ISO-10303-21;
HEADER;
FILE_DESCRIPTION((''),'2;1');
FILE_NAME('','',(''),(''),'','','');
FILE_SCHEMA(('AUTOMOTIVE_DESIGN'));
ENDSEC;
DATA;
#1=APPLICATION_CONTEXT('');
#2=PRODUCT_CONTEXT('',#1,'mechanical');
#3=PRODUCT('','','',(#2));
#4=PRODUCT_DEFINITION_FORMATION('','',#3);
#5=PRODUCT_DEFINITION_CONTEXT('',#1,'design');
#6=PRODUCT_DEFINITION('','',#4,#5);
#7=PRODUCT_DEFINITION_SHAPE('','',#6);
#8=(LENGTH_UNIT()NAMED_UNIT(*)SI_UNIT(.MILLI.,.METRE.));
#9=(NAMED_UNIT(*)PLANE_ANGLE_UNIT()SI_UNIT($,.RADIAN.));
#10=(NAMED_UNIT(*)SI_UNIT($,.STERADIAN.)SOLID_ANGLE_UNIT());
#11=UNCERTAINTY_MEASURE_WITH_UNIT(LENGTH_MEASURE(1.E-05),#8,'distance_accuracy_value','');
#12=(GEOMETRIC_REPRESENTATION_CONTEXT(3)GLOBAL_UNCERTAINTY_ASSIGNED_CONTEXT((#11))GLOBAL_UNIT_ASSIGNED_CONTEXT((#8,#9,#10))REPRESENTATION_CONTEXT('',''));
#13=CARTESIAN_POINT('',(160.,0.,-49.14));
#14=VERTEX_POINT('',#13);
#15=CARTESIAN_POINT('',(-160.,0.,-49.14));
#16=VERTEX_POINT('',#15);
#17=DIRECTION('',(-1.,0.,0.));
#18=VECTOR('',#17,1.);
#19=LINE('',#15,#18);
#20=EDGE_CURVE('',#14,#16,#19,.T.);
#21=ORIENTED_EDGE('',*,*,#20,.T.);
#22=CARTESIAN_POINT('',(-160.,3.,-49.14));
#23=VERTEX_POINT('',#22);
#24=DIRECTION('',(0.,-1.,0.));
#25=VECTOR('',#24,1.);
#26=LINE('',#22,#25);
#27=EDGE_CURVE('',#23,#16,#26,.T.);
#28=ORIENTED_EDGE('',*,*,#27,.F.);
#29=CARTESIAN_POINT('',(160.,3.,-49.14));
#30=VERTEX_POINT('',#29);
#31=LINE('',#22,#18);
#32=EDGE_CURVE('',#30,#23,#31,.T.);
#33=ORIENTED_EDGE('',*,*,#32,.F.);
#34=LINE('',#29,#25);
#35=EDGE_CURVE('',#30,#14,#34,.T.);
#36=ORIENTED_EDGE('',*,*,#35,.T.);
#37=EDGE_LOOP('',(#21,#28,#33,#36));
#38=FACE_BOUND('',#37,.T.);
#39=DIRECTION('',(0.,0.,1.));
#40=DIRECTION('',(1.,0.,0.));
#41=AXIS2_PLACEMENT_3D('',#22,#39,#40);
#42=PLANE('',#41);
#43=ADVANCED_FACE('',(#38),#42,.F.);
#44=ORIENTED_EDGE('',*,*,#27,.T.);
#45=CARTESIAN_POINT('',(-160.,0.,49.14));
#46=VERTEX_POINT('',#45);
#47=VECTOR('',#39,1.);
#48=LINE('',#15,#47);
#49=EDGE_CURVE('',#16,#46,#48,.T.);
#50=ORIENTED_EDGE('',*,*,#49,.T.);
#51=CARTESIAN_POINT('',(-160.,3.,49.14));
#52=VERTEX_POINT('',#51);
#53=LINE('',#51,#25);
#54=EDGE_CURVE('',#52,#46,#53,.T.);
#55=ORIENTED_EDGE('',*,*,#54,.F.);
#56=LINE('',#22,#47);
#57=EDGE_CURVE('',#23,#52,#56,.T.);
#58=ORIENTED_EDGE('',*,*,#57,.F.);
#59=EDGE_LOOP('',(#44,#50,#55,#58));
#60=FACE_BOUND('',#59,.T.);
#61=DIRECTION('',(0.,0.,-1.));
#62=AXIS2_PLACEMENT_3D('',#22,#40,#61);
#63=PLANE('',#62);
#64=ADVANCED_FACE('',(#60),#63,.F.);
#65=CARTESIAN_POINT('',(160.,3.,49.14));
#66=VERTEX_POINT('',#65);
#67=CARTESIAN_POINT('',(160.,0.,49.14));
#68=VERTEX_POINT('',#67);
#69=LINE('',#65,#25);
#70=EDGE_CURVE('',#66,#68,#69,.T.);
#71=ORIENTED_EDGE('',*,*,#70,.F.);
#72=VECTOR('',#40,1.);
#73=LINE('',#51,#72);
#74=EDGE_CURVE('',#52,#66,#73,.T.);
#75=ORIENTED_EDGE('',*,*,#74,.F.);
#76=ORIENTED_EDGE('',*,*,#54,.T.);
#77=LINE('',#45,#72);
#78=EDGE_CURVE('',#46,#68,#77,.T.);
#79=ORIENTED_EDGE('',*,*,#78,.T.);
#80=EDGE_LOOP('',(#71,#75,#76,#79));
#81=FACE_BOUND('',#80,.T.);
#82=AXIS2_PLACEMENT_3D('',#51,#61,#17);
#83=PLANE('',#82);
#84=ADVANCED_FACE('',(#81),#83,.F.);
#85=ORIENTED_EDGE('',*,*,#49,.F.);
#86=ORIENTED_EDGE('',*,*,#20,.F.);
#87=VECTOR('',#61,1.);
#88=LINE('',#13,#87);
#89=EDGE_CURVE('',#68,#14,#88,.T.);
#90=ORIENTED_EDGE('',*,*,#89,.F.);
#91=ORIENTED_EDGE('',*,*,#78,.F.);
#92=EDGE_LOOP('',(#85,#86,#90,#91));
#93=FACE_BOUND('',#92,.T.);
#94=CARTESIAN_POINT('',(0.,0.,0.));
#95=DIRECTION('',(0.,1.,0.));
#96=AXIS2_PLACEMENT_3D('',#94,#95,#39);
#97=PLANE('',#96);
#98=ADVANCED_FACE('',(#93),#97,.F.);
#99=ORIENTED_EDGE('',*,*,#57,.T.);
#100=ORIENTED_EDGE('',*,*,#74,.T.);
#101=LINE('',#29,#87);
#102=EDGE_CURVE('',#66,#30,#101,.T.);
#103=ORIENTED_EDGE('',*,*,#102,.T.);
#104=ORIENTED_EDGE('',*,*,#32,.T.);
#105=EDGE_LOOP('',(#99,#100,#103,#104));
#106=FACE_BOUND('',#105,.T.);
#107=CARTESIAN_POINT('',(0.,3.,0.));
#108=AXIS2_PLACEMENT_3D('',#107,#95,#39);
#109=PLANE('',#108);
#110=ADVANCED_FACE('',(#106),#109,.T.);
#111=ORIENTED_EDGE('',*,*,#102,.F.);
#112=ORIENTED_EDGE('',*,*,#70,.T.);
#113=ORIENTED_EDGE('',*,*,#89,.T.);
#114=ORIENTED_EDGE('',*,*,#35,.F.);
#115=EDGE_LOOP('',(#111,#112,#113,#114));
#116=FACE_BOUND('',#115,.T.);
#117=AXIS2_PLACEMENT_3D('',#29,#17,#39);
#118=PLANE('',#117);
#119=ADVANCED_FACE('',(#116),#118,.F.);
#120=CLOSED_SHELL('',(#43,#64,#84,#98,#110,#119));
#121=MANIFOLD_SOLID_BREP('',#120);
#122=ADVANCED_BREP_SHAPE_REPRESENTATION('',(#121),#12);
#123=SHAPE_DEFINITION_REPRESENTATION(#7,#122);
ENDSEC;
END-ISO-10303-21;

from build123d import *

# Parameters (mm, degrees)
SKETCH_1_W      = 320
SKETCH_1_H      = 98.28
EXTRUDE_1_DEPTH = 3


with BuildPart() as part:
    # 草图1 → 凸台-拉伸1 (new body)
    with BuildSketch(Plane(origin=(0, 0, 0), x_dir=(1, 0, 0), z_dir=(0, 1, 0))):
        Rectangle(SKETCH_1_W, SKETCH_1_H)
    extrude(amount=EXTRUDE_1_DEPTH)


solid = part.part
